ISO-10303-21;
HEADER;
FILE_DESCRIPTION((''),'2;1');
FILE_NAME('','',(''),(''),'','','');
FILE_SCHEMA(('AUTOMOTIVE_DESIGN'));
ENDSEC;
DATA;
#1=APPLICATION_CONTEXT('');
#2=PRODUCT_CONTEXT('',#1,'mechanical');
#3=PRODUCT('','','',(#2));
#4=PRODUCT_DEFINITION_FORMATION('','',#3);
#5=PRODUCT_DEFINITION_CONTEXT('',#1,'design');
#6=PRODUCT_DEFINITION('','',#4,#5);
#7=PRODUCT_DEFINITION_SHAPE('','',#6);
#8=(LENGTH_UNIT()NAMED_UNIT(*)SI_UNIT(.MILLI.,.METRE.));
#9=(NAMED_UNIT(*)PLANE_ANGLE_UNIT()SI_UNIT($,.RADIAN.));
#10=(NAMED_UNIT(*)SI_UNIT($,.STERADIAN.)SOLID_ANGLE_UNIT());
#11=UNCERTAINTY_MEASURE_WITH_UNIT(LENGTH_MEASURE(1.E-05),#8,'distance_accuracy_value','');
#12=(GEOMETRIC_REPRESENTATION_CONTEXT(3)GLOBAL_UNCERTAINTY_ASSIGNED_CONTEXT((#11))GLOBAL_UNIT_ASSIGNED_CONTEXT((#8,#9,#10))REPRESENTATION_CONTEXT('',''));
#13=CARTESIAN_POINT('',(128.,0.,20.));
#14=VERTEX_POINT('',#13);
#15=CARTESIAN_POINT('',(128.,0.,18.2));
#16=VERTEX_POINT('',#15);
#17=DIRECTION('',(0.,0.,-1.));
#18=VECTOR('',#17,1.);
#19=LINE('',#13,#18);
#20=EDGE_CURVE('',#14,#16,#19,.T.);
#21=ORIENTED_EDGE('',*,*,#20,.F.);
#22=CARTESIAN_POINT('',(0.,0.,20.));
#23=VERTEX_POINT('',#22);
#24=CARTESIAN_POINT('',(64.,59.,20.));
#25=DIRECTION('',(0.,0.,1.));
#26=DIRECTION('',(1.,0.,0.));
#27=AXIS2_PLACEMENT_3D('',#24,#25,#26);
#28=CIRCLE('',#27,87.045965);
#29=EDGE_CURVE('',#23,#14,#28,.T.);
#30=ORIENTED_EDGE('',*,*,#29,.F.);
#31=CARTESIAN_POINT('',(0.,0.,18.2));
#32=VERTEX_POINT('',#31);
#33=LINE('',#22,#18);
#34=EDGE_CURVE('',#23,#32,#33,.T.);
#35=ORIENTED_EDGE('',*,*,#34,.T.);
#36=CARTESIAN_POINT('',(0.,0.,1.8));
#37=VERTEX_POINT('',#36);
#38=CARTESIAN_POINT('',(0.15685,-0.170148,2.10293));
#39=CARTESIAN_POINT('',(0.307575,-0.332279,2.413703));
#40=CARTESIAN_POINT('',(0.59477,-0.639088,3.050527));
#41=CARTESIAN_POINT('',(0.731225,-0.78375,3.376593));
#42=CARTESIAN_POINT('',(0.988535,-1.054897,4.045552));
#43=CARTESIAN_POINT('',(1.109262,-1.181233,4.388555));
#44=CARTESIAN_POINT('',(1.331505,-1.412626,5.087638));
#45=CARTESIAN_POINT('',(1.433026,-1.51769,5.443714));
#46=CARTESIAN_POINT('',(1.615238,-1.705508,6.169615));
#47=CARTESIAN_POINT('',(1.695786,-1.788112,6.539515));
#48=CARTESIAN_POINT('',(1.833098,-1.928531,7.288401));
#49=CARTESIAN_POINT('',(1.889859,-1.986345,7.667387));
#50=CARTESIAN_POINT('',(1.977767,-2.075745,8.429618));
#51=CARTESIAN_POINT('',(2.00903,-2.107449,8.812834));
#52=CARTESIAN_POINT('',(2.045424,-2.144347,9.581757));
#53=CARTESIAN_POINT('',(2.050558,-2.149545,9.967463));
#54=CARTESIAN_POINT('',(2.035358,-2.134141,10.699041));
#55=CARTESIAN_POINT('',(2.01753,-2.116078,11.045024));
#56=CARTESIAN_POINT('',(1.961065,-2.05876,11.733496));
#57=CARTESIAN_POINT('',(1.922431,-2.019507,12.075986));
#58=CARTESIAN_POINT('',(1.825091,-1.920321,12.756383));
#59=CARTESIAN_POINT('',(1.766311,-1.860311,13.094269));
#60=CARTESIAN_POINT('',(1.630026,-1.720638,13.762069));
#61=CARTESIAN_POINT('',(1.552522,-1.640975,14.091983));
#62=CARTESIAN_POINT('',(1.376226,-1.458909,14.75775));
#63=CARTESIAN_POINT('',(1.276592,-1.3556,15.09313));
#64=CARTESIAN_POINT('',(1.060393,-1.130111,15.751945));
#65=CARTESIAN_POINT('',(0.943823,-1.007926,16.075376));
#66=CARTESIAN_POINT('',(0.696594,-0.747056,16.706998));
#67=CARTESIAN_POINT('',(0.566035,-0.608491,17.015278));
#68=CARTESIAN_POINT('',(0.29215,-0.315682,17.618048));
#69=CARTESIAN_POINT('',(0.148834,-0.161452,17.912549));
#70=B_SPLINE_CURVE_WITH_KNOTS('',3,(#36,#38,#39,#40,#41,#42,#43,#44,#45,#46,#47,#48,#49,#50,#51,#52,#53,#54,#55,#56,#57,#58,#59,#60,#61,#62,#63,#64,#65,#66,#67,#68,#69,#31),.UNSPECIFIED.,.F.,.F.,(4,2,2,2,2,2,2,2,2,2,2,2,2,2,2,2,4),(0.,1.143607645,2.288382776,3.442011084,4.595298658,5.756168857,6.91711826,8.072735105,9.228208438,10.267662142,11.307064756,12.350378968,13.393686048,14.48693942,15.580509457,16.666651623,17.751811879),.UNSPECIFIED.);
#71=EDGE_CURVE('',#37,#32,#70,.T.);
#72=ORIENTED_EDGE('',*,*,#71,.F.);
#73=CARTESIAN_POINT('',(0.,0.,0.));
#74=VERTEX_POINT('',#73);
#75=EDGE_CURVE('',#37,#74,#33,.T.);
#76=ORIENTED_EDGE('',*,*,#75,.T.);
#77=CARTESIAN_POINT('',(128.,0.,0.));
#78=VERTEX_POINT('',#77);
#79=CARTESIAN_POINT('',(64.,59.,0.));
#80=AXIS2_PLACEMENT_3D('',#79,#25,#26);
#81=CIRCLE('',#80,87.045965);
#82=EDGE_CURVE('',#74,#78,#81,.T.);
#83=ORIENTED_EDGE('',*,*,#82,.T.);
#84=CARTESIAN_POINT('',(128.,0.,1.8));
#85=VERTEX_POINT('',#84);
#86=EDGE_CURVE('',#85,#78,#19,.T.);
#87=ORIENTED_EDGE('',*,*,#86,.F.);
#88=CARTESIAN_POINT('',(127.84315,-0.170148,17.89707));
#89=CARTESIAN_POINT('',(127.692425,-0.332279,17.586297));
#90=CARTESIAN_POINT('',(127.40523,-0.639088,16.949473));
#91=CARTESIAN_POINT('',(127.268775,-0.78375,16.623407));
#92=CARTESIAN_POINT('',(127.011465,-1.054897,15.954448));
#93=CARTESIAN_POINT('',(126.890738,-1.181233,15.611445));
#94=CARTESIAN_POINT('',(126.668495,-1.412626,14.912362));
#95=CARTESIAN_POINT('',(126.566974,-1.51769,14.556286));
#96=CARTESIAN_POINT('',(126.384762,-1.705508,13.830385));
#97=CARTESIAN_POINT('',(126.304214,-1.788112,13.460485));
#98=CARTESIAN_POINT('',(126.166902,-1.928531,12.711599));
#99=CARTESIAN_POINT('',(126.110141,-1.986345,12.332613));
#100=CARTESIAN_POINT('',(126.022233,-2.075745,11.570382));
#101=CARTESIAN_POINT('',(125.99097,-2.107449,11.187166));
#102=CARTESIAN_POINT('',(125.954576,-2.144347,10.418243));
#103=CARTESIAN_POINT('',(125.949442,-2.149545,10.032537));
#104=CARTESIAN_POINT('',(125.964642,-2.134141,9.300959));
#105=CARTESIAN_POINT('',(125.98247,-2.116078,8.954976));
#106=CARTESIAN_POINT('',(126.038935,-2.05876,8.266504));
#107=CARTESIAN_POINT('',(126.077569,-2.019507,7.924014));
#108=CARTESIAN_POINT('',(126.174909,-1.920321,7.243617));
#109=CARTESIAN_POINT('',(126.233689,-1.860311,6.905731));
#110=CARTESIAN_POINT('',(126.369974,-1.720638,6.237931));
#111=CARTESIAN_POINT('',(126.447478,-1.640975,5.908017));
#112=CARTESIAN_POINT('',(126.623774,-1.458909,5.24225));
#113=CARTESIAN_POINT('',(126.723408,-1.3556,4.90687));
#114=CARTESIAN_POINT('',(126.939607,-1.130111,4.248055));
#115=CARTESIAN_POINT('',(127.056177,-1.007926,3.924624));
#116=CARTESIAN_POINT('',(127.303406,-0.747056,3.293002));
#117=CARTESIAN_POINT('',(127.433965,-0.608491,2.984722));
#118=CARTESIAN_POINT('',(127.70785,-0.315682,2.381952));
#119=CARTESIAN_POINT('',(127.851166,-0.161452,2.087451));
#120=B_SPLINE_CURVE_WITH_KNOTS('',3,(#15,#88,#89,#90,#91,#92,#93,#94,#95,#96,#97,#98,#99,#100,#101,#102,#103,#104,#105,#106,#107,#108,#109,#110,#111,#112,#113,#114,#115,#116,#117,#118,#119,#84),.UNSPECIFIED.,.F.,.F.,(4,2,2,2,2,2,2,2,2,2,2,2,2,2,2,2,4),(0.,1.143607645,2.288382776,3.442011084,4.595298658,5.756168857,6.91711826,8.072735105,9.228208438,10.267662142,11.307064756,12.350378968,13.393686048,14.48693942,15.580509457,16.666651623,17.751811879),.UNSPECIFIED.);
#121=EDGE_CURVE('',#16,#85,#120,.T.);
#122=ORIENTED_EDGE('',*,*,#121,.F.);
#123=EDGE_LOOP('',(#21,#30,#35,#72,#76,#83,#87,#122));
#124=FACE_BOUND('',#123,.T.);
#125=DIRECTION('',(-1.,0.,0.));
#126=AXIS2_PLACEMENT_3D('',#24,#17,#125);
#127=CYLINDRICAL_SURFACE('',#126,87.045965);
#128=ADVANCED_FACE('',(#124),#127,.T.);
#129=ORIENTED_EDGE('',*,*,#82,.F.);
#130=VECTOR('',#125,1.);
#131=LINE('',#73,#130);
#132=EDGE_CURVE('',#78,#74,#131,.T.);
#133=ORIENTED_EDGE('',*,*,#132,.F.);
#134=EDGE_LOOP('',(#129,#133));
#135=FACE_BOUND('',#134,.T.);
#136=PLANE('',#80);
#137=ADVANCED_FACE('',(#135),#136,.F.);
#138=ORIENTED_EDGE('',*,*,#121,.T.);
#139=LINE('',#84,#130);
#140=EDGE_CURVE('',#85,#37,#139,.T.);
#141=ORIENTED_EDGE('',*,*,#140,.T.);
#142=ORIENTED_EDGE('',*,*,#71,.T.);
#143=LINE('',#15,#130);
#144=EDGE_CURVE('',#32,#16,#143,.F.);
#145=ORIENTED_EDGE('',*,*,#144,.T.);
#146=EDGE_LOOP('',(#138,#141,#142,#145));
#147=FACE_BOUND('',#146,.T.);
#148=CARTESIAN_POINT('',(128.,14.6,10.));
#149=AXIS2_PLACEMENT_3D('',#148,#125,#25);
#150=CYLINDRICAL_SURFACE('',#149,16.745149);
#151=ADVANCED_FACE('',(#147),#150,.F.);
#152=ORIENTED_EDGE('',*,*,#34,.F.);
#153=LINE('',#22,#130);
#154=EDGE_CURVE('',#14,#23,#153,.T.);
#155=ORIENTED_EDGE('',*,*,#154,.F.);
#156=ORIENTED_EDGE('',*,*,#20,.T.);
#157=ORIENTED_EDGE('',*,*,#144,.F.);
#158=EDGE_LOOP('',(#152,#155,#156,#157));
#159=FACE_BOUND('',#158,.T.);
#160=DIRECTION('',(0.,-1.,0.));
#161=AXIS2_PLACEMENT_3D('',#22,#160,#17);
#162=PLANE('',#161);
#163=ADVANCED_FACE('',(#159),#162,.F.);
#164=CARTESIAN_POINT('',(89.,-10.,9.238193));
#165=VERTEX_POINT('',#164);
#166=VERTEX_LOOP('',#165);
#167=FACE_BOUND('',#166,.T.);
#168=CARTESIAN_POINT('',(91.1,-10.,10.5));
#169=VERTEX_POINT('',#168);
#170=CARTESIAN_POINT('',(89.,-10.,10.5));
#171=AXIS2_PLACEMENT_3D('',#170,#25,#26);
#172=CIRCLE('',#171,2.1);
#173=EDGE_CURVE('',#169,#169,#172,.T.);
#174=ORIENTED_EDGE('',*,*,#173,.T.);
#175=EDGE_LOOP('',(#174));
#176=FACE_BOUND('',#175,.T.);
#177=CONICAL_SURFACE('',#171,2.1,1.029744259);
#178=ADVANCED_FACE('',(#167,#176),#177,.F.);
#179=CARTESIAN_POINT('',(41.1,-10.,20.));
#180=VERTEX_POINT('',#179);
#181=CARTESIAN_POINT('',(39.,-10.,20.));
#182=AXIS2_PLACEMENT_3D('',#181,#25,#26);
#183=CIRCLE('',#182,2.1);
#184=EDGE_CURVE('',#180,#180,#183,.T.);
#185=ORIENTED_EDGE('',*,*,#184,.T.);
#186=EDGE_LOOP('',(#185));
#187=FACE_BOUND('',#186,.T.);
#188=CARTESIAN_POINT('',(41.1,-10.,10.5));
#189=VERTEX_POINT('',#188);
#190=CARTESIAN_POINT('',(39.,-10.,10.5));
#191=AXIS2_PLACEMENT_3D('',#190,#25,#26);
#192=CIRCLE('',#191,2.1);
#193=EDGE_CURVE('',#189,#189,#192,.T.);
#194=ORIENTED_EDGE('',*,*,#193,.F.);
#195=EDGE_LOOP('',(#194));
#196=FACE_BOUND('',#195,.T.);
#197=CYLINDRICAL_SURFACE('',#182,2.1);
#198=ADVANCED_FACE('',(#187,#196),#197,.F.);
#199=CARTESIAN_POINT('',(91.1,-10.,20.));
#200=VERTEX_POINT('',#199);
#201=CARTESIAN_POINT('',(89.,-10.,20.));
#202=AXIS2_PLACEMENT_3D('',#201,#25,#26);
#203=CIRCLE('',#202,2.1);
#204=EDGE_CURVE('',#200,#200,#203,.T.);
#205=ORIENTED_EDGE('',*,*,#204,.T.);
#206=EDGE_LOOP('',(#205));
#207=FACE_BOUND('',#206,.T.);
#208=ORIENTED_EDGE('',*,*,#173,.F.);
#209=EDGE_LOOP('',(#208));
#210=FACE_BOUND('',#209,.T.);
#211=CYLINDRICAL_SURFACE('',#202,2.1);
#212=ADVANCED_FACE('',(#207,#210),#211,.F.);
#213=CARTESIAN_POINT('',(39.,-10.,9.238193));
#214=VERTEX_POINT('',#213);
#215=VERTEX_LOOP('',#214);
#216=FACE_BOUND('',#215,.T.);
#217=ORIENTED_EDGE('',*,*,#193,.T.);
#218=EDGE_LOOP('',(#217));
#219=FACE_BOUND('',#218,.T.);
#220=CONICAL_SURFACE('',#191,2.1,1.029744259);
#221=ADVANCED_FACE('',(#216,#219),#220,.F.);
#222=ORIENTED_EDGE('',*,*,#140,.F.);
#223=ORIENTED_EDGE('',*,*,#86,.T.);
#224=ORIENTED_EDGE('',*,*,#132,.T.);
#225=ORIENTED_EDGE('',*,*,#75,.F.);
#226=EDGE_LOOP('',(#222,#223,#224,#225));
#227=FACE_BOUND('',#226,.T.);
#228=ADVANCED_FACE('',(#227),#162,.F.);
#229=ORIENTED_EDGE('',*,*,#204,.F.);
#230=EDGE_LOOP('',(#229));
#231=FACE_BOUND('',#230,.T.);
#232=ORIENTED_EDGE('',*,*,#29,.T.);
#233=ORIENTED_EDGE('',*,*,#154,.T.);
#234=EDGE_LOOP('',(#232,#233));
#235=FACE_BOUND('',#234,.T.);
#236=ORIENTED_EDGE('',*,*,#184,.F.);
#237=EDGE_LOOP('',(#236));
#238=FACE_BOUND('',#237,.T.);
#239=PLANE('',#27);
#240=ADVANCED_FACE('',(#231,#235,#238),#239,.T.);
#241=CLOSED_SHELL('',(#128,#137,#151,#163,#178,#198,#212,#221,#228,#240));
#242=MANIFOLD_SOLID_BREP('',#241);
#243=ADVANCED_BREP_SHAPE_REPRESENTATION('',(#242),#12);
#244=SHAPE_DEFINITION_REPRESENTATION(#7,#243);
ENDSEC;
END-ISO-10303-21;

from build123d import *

# Parameters (mm, degrees)
EXTRUDE_1_DEPTH     = 20
SKETCH_2_R          = 16.745148551
CUT_EXTRUDE_1_DEPTH = 133.554049902
M5X0_82_D           = 4.2
M5X0_82_DEPTH       = 9.5
M5X0_82_TIP         = 1.2618073
M5X0_81_D           = 4.2
M5X0_81_DEPTH       = 9.5
M5X0_81_TIP         = 1.2618073


with BuildPart() as part:
    # Эскиз1 → Бобышка-Вытянуть1 (new body)
    with BuildSketch(Plane.XY):
        with BuildLine():
            Line((0, 0), (128, 0))
            ThreePointArc((128, 0), (64, -28.045964869), (0, 0))
        make_face()
    extrude(amount=EXTRUDE_1_DEPTH)

    # Эскиз2 → Вырез-Вытянуть1 (cut, through all)
    with BuildSketch(Plane(origin=(0, 0, 0), x_dir=(0, 0, -1), z_dir=(1, 0, 0))):
        with Locations((-10, 14.6)):
            Circle(SKETCH_2_R)
    extrude(amount=CUT_EXTRUDE_1_DEPTH, mode=Mode.SUBTRACT)

    # Отверстие обработанное метчиком M5x0.82
    with Locations(Plane.XY.offset(20)):
        with Locations((39, -10)):
            Hole(M5X0_82_D / 2, depth=M5X0_82_DEPTH)
            with Locations((0, 0, -(M5X0_82_DEPTH + M5X0_82_TIP / 2))):  # 118° drill point
                Cone(0, M5X0_82_D / 2, M5X0_82_TIP, mode=Mode.SUBTRACT)

    # Отверстие обработанное метчиком M5x0.81
    with Locations(Plane.XY.offset(20)):
        with Locations((89, -10)):
            Hole(M5X0_81_D / 2, depth=M5X0_81_DEPTH)
            with Locations((0, 0, -(M5X0_81_DEPTH + M5X0_81_TIP / 2))):  # 118° drill point
                Cone(0, M5X0_81_D / 2, M5X0_81_TIP, mode=Mode.SUBTRACT)


solid = part.part
